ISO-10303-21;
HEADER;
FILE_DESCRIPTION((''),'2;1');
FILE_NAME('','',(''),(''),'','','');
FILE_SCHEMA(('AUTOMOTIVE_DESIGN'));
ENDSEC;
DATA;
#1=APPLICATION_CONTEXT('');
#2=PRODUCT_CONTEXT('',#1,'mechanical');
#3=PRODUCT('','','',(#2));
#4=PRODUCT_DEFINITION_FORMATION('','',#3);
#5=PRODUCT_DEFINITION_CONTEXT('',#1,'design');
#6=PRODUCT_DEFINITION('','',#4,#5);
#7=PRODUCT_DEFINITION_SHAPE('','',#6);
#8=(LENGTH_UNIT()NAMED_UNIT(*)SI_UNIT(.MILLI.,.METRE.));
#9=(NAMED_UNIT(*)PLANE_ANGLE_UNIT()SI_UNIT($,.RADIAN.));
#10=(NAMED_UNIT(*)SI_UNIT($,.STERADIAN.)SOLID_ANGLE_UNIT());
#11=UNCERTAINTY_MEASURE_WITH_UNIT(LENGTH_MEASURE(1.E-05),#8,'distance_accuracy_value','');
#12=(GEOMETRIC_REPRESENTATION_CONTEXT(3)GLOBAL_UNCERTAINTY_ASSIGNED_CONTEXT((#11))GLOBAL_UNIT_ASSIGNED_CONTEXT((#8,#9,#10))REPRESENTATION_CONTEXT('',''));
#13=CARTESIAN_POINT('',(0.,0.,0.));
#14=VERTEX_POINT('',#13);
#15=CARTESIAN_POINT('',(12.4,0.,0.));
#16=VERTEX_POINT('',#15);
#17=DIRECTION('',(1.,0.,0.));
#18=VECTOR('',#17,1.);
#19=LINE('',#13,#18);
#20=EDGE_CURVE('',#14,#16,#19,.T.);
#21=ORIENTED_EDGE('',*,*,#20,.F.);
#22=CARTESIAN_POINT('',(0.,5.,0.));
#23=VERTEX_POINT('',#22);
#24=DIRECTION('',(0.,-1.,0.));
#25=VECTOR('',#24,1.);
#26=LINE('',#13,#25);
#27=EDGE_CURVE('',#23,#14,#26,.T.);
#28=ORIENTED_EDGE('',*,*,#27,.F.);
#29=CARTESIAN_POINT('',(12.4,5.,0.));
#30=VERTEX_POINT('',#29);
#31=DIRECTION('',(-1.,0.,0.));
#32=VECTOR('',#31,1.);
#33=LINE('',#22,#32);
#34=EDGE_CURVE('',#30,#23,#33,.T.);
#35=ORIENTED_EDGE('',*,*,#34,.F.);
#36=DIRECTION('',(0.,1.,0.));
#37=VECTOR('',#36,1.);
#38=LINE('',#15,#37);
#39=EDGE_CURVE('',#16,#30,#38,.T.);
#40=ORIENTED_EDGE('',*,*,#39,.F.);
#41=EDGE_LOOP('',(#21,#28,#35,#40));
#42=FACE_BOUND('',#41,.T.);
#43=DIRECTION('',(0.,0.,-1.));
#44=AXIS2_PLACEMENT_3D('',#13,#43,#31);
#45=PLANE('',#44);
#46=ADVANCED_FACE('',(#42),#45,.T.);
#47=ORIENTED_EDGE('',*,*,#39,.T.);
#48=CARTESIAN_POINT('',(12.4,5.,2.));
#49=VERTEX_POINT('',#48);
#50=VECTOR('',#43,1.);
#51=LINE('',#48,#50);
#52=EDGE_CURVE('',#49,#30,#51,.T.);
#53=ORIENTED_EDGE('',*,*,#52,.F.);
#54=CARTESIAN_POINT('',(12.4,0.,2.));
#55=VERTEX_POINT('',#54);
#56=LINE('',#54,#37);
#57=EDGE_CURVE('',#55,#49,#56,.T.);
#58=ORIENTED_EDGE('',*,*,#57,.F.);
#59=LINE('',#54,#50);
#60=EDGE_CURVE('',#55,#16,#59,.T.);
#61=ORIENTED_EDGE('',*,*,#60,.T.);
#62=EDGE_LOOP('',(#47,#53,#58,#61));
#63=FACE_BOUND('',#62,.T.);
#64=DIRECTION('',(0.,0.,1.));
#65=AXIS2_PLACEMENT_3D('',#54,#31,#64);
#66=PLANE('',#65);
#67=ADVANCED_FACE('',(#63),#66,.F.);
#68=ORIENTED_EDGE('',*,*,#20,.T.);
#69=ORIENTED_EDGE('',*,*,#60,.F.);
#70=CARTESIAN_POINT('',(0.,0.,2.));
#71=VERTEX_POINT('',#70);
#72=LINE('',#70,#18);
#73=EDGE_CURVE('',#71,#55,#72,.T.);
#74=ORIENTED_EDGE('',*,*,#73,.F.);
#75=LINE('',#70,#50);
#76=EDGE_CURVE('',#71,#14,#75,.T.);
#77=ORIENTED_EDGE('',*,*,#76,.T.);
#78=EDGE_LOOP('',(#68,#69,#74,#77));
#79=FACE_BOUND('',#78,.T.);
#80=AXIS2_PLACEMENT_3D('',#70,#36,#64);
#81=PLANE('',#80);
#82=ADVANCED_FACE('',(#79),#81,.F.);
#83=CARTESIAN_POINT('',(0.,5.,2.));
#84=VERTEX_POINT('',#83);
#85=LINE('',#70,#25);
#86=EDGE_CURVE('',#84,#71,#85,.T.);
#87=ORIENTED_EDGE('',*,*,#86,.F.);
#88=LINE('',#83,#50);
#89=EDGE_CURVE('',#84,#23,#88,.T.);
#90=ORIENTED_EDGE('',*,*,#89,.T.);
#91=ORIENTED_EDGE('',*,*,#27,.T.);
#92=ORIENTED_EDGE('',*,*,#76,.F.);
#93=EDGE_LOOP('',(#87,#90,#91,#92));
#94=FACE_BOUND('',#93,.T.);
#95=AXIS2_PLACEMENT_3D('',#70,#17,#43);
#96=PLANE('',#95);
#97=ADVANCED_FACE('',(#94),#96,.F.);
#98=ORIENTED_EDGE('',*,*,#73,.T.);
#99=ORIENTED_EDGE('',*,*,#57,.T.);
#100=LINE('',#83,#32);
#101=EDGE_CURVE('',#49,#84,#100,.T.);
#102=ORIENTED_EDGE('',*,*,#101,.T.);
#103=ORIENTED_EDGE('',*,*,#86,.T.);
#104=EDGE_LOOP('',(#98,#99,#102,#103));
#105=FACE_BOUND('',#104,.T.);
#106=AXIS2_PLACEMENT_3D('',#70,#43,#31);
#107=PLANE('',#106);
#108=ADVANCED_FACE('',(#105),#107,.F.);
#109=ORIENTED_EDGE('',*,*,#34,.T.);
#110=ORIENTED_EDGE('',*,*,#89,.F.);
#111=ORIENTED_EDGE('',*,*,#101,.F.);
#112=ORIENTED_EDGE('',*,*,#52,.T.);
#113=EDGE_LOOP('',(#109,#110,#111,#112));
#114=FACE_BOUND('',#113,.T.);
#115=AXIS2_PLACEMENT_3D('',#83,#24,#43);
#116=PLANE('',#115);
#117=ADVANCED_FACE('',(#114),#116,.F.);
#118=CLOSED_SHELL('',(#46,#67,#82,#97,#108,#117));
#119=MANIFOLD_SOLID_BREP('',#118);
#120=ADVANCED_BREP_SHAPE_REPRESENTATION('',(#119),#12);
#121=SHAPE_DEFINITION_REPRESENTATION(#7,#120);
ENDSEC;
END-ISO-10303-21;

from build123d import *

# Parameters (mm, degrees)
SKICA1_W                = 12.4
SKICA1_H                = 5
P_IDAT_VYSUNUT_M1_DEPTH = 2


with BuildPart() as part:
    # Skica1 → Přidat vysunutím1 (new body)
    with BuildSketch(Plane.XY):
        with Locations((6.2, 2.5)):
            Rectangle(SKICA1_W, SKICA1_H)
    extrude(amount=P_IDAT_VYSUNUT_M1_DEPTH)


solid = part.part
